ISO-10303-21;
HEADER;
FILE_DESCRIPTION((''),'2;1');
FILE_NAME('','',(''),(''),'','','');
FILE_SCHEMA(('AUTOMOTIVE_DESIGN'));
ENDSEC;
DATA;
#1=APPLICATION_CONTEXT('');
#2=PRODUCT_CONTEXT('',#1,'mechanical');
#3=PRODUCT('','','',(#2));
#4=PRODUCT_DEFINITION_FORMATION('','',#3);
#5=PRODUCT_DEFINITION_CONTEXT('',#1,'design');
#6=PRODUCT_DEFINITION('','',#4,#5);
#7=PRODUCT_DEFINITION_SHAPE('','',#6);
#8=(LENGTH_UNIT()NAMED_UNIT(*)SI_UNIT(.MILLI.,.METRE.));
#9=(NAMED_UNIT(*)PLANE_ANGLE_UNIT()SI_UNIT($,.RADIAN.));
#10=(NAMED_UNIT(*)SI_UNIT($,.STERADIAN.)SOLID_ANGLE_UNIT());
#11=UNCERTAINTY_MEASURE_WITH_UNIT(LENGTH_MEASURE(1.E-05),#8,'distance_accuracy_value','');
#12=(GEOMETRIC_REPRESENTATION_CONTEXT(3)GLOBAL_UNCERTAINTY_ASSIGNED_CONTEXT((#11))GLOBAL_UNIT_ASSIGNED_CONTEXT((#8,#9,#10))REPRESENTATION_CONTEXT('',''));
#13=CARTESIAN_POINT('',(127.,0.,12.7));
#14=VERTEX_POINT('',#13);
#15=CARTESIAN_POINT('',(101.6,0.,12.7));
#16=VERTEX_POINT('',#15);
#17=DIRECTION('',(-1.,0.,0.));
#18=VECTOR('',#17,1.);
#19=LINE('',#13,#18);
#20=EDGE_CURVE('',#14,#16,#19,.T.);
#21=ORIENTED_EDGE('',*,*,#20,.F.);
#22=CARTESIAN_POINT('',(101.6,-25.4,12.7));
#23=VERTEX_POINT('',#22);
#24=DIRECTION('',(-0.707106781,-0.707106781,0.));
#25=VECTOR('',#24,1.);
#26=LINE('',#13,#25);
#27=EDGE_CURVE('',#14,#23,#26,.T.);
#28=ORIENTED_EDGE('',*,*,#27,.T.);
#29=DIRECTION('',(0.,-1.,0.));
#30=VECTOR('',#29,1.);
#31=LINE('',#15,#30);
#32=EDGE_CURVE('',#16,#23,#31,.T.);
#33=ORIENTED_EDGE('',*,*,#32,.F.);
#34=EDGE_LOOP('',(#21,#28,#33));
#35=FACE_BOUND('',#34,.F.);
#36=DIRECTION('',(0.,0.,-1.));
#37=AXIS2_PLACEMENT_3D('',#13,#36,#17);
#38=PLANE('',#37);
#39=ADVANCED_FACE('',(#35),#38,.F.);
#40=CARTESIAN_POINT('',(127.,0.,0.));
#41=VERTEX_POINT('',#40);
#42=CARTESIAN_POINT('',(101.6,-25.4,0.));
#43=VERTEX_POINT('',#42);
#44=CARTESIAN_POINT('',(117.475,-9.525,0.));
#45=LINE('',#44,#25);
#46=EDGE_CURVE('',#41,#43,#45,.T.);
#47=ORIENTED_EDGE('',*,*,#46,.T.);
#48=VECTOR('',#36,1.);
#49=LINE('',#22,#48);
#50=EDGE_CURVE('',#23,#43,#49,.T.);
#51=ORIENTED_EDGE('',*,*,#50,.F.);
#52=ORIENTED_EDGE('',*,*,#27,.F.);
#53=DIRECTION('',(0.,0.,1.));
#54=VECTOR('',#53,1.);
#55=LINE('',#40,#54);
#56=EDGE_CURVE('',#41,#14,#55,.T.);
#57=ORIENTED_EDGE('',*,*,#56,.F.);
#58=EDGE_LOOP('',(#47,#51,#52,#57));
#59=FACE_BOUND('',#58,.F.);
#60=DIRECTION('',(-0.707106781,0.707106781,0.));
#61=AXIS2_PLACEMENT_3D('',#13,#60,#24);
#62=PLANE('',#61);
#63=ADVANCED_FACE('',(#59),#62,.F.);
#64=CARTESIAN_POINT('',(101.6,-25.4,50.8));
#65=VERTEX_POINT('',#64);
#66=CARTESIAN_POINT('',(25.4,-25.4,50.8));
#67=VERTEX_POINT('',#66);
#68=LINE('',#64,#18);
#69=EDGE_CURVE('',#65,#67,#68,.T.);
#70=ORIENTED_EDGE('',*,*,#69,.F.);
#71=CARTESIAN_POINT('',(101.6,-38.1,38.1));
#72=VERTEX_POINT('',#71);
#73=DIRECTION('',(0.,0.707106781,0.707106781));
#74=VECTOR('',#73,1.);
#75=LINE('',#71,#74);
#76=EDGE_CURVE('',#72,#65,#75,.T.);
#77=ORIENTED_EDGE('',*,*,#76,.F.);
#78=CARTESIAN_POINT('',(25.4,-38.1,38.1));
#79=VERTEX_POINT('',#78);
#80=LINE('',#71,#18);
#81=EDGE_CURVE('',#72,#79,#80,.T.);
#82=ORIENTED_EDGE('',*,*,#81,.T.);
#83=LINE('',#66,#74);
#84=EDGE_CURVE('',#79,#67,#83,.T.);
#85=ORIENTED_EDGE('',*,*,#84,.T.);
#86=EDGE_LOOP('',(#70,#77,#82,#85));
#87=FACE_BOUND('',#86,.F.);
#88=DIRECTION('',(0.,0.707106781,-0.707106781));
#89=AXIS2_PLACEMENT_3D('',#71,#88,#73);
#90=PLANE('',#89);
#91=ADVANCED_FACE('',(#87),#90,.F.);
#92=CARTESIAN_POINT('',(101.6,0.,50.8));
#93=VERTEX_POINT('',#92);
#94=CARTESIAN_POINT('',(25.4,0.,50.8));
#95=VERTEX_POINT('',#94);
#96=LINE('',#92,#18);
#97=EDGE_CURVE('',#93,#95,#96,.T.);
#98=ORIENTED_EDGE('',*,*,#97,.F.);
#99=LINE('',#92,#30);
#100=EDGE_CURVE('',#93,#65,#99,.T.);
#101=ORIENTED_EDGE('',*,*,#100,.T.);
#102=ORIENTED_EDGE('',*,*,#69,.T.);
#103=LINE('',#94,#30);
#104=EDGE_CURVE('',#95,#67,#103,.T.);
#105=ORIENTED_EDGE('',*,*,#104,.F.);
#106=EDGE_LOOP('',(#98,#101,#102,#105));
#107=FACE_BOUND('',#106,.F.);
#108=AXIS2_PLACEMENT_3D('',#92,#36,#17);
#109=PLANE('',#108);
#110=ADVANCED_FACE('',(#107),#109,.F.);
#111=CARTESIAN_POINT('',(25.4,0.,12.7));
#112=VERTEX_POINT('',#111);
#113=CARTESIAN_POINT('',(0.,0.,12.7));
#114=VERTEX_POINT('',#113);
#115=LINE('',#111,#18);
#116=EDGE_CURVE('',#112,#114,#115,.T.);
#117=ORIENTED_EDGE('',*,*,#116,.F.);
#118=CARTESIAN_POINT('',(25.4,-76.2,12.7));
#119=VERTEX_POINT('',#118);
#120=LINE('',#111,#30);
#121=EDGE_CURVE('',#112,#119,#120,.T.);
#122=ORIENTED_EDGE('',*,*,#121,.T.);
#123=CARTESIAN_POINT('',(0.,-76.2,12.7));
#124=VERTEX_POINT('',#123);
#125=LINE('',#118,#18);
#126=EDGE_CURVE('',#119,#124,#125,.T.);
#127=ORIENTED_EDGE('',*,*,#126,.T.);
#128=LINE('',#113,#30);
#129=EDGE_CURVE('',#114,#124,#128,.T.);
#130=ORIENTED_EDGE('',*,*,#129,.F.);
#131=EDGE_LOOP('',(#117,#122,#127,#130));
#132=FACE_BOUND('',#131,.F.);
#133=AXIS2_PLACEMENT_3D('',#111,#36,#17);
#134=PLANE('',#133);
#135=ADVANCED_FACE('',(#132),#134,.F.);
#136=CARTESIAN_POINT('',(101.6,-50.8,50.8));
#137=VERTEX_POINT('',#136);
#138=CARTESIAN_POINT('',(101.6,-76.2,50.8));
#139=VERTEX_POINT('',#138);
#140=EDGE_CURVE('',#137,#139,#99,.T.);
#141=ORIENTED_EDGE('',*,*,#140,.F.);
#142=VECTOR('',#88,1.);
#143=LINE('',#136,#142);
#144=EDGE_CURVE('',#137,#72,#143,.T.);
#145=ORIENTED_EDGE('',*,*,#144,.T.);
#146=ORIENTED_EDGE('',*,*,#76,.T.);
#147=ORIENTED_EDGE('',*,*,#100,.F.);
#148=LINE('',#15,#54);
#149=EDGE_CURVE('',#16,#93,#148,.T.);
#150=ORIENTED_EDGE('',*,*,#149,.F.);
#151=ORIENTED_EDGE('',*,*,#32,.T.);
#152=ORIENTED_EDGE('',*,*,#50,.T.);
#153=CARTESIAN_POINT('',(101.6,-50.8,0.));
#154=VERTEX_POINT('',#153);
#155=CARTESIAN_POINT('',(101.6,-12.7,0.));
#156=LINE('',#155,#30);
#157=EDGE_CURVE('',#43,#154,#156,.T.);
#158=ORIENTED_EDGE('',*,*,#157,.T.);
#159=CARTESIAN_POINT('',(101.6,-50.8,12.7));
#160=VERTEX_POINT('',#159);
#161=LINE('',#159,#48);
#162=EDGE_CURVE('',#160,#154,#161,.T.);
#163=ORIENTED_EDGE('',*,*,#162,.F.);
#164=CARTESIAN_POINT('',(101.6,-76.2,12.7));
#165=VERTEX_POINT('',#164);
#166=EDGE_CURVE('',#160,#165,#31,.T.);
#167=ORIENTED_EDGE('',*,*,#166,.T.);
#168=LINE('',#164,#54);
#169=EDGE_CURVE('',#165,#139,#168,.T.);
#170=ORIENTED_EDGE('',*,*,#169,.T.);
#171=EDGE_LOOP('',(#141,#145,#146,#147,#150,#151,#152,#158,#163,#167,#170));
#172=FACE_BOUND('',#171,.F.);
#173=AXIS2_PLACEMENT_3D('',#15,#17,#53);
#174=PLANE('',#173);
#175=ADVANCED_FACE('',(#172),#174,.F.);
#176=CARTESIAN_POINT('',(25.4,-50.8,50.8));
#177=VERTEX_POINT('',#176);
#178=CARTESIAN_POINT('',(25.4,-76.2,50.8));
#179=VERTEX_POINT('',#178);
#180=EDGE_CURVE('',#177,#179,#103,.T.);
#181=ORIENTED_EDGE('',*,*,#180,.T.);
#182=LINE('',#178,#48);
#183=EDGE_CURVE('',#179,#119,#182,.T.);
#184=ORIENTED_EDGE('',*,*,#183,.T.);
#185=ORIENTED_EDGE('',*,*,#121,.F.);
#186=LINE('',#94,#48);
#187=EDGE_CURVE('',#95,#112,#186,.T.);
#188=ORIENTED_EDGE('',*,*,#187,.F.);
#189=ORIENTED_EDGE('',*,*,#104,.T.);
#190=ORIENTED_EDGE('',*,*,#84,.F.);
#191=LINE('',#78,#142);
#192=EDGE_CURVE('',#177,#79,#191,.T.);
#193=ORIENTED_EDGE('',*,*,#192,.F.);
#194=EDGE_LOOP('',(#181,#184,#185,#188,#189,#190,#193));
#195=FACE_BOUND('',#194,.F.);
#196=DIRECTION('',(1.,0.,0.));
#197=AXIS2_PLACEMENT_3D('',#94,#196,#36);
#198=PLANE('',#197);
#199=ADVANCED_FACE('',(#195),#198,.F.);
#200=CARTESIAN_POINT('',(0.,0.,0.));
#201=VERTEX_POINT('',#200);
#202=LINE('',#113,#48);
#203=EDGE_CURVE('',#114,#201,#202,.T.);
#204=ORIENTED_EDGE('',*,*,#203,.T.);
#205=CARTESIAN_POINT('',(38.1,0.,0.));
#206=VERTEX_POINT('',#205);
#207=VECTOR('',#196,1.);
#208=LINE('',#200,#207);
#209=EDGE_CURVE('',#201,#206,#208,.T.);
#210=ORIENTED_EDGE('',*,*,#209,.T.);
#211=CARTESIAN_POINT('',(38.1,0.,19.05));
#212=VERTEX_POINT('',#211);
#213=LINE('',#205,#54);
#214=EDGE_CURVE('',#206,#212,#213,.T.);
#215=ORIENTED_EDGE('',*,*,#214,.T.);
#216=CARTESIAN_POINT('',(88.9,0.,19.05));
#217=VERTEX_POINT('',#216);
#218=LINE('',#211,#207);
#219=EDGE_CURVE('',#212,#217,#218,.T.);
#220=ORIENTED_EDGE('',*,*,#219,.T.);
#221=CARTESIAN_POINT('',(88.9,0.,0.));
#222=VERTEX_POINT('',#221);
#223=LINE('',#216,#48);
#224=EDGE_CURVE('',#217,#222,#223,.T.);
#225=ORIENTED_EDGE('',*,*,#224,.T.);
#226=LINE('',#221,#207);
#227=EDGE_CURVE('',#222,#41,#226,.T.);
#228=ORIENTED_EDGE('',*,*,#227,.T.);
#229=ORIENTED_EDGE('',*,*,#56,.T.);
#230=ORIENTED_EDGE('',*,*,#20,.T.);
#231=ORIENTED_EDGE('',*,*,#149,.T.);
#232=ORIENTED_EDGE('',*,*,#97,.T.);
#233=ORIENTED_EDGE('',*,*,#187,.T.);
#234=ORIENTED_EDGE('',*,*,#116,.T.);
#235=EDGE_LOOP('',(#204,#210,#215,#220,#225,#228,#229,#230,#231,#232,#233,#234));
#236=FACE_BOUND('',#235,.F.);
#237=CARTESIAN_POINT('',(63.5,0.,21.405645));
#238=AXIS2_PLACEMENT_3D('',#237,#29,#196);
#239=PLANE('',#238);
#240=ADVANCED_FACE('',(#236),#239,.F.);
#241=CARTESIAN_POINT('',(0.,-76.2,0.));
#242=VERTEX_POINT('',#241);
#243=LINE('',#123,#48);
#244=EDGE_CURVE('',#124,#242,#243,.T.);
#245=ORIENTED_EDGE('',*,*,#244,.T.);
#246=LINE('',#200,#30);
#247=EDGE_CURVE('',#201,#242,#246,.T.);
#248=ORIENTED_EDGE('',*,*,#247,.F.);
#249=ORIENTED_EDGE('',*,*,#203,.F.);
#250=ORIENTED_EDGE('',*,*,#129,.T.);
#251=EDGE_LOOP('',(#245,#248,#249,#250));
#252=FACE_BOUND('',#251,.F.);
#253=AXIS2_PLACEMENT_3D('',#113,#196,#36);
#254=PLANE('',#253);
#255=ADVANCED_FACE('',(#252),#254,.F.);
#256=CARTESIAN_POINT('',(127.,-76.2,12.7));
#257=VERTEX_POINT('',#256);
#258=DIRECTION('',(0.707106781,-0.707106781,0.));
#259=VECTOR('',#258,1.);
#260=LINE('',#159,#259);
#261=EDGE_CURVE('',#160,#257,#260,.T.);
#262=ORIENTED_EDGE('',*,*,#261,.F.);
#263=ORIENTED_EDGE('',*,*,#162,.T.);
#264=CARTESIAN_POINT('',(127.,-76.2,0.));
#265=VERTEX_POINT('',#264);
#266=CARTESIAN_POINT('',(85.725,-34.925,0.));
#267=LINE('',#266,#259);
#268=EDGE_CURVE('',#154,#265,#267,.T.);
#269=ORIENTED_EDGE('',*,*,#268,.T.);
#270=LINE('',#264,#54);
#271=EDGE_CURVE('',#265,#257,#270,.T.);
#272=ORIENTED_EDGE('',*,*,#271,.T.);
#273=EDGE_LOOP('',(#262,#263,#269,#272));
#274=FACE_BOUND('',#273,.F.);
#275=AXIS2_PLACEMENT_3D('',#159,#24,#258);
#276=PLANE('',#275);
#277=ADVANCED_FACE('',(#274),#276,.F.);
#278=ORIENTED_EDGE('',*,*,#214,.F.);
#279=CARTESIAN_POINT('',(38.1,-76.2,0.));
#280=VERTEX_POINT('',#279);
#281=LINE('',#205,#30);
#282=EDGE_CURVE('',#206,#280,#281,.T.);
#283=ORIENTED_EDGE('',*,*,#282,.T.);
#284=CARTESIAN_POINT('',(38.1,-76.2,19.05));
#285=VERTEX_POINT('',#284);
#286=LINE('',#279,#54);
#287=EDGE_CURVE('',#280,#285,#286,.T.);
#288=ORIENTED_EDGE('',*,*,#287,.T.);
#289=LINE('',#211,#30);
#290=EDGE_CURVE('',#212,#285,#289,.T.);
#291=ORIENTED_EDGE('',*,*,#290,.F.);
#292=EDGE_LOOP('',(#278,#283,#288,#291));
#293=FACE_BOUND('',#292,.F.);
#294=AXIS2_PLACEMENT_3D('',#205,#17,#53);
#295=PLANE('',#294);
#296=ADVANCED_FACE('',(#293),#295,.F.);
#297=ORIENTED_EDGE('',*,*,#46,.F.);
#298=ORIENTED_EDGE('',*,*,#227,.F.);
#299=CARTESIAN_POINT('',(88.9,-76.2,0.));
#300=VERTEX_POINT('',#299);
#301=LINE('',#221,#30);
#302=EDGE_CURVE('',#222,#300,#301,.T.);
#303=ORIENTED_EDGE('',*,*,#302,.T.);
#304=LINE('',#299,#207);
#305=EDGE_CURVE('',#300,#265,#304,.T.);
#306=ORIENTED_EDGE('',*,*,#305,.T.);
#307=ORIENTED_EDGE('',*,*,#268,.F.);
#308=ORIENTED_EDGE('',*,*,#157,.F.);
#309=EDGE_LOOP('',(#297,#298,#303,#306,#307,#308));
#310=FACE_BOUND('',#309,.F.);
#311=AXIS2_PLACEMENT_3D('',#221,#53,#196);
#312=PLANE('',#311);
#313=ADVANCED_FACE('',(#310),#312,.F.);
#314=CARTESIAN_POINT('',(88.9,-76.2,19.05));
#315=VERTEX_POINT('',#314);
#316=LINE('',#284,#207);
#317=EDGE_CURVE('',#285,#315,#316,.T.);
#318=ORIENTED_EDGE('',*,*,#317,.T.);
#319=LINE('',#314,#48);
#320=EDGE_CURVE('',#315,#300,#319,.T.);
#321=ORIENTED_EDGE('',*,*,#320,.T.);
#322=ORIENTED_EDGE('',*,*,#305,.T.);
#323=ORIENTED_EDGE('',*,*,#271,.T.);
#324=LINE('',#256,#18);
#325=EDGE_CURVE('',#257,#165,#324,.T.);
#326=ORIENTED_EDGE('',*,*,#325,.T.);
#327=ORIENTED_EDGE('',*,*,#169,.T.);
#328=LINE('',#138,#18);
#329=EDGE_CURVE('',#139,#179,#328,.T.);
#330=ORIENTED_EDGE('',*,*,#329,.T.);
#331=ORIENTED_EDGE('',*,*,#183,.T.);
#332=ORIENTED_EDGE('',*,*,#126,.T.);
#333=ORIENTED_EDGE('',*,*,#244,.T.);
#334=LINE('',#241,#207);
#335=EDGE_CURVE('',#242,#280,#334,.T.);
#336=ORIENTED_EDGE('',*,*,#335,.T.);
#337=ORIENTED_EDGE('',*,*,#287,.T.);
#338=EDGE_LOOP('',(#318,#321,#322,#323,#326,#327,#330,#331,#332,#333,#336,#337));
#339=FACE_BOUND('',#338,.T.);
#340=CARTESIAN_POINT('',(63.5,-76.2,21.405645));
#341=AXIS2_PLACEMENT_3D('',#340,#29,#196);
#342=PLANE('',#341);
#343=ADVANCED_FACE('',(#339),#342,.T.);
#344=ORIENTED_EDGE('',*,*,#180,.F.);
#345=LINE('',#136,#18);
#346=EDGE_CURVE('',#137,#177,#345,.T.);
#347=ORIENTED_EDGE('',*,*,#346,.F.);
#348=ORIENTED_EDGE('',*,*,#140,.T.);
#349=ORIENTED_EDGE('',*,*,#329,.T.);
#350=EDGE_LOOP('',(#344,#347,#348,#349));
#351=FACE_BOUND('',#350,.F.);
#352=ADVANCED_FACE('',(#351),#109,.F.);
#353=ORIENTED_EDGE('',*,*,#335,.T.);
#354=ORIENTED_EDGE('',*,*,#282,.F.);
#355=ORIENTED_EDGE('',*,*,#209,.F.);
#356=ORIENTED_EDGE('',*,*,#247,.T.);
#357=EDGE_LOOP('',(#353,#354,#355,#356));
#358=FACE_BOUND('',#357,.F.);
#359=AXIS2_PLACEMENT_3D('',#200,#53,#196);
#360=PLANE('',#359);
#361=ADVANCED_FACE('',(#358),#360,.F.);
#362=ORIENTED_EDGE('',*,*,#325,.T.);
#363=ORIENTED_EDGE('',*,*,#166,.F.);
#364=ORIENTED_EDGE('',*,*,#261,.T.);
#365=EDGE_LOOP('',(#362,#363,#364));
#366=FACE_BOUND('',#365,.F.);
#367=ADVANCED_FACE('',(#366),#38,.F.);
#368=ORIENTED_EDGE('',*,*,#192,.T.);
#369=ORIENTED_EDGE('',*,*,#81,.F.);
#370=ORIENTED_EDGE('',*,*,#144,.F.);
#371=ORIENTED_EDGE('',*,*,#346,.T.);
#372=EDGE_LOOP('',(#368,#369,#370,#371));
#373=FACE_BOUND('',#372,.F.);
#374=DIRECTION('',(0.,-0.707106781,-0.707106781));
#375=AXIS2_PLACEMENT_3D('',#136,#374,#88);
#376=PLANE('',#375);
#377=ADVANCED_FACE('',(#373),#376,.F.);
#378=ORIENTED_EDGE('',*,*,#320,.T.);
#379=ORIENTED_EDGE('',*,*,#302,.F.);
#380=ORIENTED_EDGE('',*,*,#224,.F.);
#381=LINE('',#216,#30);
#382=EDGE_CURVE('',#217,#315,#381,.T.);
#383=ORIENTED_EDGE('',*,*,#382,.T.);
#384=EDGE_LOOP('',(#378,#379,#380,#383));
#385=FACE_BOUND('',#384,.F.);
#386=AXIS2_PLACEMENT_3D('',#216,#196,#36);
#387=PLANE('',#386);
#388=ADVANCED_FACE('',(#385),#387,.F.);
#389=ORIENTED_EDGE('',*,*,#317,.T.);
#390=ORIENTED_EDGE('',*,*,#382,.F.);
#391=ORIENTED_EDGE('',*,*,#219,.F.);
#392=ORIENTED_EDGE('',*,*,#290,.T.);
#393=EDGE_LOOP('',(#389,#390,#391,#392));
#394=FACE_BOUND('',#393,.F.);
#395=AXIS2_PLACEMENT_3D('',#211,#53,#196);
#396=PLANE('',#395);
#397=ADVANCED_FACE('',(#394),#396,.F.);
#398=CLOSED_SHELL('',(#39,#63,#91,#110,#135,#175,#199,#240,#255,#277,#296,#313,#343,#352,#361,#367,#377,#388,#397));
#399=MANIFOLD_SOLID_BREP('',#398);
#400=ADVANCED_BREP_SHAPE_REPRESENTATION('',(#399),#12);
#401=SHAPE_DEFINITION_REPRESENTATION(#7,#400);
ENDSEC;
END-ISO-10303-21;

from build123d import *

# Parameters (mm, degrees)
F1_DEPTH = 76.2
F3_DEPTH = 12.701
F5_DEPTH = 101.601


with BuildPart() as f1:
    # F0 (on Front) → F1 (new body)
    with BuildSketch(Plane.XZ):
        Polygon((0, 12.7), (0, 0), (38.1, 0), (38.1, 19.05), (88.9, 19.05), (88.9, 0), (127, 0), (127, 12.7), (101.6, 12.7), (101.6, 50.8), (25.4, 50.8), (25.4, 12.7), align=None)
    extrude(amount=F1_DEPTH)

    # F2 (on face) → F3 (cut, through all)
    with BuildSketch(Plane.XY.offset(12.7)):
        Polygon((101.6, -50.8), (127, -76.2), (127, 0), (101.6, -25.4), align=None)
    extrude(amount=-F3_DEPTH, mode=Mode.SUBTRACT)

    # F4 (on face) → F5 (cut, through all)
    with BuildSketch(Plane.YZ.offset(101.6)):
        Polygon((-25.4, 50.8), (-50.8, 50.8), (-38.1, 38.1), align=None)
    extrude(amount=-F5_DEPTH, mode=Mode.SUBTRACT)


solid = f1.part
